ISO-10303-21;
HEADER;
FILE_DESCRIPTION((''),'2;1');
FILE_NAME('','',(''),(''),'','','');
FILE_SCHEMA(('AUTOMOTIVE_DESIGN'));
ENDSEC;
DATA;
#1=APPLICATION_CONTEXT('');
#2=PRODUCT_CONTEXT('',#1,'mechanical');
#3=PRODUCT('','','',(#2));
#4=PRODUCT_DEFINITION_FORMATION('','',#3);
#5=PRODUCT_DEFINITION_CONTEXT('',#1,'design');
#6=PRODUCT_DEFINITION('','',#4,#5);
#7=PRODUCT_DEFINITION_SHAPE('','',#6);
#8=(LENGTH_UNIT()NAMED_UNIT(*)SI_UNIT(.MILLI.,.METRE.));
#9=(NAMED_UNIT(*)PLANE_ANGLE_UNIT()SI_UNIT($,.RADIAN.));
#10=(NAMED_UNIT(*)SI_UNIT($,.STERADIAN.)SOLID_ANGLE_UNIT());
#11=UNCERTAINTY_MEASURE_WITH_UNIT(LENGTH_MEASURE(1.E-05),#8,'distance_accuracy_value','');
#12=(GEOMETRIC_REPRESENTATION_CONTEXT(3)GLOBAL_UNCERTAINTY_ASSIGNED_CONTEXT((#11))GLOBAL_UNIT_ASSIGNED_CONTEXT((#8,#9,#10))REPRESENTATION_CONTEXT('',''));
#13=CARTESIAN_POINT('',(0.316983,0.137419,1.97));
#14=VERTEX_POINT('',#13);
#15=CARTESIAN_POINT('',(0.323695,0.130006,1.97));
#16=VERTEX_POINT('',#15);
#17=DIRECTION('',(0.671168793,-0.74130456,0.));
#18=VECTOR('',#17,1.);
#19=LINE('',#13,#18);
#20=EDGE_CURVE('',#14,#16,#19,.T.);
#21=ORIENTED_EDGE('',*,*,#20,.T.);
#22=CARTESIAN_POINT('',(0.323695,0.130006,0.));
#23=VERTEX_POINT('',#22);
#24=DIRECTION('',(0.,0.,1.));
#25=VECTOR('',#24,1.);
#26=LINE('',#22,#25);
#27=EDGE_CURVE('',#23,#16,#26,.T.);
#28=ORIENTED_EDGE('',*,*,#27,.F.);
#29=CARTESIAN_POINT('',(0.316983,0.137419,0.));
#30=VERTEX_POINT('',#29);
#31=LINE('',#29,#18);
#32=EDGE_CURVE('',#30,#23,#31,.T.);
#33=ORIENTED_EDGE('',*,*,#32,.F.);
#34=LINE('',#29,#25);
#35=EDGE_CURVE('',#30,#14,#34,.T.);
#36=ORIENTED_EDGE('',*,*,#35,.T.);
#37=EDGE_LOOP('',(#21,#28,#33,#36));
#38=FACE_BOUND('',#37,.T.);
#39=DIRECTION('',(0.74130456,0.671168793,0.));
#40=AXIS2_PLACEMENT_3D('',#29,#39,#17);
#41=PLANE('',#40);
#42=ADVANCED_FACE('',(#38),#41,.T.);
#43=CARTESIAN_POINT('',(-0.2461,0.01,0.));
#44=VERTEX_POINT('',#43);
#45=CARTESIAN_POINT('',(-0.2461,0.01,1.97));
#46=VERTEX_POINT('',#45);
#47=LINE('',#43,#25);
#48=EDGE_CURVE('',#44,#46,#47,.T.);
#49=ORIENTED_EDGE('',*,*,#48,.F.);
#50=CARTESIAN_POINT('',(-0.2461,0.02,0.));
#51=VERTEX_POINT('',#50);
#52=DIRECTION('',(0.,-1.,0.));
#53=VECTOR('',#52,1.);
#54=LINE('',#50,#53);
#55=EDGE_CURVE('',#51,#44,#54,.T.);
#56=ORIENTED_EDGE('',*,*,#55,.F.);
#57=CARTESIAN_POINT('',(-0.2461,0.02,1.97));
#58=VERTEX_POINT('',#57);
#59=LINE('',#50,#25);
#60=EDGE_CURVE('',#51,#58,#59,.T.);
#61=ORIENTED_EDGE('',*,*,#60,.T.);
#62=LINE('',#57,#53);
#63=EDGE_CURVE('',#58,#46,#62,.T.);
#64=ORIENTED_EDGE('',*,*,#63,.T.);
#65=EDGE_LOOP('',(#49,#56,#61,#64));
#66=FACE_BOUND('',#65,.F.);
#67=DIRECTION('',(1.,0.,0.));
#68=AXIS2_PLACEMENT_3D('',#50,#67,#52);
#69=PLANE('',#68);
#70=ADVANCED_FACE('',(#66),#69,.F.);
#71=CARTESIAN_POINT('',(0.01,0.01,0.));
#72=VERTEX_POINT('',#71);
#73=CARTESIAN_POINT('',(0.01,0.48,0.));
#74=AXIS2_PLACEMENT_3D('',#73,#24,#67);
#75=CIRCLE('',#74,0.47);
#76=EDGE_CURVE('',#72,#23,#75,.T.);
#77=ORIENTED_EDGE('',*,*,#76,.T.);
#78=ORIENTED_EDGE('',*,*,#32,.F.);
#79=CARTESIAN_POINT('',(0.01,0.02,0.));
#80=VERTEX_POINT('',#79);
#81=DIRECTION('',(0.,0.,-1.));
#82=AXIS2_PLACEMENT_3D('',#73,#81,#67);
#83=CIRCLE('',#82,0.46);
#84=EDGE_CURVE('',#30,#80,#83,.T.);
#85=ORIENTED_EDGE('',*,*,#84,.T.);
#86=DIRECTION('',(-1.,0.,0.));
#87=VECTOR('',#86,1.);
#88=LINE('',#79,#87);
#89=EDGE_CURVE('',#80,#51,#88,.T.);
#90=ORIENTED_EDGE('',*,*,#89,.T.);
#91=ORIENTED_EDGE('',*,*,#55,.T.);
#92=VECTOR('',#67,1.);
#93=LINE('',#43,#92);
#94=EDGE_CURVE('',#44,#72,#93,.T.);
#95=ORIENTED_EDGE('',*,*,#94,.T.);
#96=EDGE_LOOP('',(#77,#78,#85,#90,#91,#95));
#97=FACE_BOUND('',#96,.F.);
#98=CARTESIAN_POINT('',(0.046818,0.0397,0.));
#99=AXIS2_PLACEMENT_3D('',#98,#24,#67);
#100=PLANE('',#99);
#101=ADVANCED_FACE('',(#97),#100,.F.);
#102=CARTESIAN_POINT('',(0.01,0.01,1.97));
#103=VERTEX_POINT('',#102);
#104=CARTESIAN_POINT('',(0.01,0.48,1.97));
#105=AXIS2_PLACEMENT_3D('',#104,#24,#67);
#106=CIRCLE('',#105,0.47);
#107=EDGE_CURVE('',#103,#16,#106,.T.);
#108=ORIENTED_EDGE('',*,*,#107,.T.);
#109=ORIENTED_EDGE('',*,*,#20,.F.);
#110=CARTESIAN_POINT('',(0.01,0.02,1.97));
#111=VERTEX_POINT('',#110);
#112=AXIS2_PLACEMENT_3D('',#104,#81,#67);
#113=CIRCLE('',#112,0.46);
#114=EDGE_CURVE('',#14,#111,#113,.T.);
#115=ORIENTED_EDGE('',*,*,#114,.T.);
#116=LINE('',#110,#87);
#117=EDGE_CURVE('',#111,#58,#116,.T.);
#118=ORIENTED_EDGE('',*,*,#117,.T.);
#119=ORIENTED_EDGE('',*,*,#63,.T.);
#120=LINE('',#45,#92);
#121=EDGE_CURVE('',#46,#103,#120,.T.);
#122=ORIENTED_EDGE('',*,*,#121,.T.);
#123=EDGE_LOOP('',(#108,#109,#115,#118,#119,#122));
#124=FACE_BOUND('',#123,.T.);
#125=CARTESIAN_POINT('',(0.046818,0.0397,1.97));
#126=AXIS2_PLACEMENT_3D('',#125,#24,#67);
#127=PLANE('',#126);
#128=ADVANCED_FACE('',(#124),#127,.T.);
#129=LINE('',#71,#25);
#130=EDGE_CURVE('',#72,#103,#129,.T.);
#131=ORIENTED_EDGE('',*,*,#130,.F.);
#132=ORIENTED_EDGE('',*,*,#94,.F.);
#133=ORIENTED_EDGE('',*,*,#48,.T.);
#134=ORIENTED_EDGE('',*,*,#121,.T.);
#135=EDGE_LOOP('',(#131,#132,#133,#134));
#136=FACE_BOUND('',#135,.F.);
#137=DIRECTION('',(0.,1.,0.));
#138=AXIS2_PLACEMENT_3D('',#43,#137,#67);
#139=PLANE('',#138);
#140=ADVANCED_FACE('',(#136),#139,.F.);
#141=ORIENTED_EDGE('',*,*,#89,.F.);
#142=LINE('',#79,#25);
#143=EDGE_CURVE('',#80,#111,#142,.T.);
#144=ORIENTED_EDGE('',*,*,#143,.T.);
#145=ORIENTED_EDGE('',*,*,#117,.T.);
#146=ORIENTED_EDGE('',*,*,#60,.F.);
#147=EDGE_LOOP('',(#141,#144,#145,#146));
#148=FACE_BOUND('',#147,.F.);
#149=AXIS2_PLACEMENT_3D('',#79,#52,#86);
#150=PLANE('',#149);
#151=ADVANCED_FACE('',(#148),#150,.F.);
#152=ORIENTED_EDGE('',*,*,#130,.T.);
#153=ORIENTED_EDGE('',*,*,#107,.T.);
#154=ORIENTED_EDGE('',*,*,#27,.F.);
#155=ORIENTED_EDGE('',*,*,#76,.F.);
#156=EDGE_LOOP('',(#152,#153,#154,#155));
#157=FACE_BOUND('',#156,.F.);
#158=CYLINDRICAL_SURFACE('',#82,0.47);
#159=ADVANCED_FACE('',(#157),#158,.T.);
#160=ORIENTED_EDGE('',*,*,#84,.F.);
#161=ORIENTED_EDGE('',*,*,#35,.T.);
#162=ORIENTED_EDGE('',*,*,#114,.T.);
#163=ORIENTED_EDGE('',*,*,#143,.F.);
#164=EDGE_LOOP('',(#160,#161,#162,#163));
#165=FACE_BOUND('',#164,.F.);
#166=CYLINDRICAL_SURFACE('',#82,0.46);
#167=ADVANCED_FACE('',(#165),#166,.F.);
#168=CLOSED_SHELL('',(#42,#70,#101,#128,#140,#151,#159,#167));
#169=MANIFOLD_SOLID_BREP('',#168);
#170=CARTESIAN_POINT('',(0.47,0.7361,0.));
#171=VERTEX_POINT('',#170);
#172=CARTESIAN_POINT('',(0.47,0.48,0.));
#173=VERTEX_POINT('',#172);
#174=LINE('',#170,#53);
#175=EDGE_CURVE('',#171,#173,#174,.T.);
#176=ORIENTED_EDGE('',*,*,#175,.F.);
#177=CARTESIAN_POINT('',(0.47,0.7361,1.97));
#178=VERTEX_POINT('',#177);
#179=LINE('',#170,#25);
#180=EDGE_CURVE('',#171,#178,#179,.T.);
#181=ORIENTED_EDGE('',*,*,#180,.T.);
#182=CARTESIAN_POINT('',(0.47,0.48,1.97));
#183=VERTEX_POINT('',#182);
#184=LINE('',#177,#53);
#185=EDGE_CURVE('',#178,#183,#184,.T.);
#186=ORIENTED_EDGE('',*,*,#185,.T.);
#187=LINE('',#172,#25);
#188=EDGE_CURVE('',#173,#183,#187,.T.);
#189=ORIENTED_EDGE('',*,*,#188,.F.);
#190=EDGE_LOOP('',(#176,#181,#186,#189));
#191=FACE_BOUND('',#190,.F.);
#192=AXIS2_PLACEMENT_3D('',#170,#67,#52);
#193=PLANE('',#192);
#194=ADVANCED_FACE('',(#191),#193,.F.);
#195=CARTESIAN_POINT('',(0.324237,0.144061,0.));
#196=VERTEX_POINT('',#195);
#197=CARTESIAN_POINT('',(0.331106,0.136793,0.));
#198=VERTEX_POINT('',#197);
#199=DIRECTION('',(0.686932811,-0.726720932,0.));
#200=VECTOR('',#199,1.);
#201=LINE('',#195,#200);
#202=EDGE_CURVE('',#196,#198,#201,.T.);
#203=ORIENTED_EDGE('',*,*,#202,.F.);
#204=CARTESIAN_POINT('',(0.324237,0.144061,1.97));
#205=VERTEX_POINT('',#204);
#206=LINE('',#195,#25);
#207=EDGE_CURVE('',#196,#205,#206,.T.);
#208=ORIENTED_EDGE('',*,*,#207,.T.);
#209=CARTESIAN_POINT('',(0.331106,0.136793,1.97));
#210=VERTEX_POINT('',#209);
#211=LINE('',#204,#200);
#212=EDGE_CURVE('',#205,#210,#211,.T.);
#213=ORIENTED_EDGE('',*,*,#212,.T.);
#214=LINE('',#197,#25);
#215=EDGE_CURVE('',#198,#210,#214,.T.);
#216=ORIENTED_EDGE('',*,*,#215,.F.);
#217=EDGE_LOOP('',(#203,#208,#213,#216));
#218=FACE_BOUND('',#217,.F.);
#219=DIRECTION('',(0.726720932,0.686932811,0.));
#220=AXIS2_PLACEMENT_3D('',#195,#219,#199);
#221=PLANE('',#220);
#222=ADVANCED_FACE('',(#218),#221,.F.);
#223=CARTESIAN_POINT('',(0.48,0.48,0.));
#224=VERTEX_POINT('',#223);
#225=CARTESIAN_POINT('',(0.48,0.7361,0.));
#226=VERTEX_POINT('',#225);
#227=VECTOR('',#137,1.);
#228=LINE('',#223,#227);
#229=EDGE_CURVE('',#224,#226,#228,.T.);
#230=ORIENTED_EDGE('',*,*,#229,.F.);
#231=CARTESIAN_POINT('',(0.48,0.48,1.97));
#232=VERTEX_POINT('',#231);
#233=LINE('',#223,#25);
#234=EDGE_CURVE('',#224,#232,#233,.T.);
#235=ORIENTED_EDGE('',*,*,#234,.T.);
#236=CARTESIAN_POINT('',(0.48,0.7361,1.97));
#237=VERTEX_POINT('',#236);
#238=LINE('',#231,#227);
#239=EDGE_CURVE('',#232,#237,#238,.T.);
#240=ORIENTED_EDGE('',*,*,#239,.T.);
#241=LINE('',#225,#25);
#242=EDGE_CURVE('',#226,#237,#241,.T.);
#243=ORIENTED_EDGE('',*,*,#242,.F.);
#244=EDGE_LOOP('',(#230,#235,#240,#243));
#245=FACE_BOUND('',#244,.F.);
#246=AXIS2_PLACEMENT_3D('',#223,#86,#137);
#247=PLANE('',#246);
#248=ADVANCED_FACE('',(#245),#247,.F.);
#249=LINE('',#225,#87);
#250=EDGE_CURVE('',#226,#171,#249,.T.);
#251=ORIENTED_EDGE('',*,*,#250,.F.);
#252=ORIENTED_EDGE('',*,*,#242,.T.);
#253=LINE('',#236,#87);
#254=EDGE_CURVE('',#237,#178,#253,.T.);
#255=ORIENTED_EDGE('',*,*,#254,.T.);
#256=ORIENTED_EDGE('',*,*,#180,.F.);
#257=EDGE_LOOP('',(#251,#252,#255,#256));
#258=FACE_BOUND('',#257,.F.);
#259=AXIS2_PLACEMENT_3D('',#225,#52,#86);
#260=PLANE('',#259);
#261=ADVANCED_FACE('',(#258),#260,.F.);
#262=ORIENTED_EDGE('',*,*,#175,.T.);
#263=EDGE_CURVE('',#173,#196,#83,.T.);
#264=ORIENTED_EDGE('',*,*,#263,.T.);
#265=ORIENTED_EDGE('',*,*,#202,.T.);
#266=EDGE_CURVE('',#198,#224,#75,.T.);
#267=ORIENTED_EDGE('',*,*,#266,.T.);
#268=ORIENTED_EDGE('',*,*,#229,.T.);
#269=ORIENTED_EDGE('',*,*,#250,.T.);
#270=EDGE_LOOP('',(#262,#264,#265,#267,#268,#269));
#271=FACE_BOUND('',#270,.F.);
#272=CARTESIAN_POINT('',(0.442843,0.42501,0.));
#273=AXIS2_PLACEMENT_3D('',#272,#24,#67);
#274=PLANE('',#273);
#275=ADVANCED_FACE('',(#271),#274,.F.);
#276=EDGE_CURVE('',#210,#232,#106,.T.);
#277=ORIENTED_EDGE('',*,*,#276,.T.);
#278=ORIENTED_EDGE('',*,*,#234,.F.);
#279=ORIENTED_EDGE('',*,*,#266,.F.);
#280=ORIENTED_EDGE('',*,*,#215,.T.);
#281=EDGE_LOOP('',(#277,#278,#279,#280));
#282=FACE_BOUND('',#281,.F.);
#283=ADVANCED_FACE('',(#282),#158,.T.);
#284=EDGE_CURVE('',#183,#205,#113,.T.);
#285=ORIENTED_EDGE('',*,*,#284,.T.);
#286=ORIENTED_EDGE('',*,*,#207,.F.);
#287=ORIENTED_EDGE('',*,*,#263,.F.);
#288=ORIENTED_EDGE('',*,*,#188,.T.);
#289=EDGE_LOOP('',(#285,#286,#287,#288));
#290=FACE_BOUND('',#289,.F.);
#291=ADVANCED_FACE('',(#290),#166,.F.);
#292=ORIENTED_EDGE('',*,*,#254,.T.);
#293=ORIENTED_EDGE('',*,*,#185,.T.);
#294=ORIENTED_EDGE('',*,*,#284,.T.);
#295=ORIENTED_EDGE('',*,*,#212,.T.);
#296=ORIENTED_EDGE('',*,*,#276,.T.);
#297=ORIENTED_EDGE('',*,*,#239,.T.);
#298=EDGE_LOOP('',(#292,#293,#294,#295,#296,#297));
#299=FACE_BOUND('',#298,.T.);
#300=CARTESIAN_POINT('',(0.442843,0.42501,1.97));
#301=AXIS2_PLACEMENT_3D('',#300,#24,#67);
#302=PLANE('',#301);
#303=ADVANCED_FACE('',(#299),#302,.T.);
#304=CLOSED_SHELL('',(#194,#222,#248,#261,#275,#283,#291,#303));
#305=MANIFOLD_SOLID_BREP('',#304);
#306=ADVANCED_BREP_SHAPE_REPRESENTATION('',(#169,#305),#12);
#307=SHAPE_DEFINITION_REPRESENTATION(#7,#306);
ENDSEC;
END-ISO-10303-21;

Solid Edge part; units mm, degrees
sketch "Sketch1" plane through (0, 0, 0) normal (0, 0, 1) x (1, 0, 0)
  arc A0 (0.3311, 0.1368) -> (0.48, 0.48) centre (0.01, 0.48) ccw
  line L0 (0.48, 0.48) -> (0.48, 0.7361)
  line L1 (0.48, 0.7361) -> (0.47, 0.7361)
  line L2 (0.47, 0.7361) -> (0.47, 0.48)
  arc A1 (0.47, 0.48) -> (0.3242, 0.1441) centre (0.01, 0.48) cw
  line L3 (0.3242, 0.1441) -> (0.3311, 0.1368)
  line L4 (-0.2461, 0.01) -> (0.01, 0.01)
  arc A2 (0.01, 0.01) -> (0.3237, 0.13) centre (0.01, 0.48) ccw
  line L5 (0.317, 0.1374) -> (0.3237, 0.13)
  arc A3 (0.317, 0.1374) -> (0.01, 0.02) centre (0.01, 0.48) cw
  line L6 (0.01, 0.02) -> (-0.2461, 0.02)
  line L7 (-0.2461, 0.02) -> (-0.2461, 0.01)
  dimension "D1" = 0.01
extrude "Protrusion1" add sketch "Sketch1" along normal blind 1.97
